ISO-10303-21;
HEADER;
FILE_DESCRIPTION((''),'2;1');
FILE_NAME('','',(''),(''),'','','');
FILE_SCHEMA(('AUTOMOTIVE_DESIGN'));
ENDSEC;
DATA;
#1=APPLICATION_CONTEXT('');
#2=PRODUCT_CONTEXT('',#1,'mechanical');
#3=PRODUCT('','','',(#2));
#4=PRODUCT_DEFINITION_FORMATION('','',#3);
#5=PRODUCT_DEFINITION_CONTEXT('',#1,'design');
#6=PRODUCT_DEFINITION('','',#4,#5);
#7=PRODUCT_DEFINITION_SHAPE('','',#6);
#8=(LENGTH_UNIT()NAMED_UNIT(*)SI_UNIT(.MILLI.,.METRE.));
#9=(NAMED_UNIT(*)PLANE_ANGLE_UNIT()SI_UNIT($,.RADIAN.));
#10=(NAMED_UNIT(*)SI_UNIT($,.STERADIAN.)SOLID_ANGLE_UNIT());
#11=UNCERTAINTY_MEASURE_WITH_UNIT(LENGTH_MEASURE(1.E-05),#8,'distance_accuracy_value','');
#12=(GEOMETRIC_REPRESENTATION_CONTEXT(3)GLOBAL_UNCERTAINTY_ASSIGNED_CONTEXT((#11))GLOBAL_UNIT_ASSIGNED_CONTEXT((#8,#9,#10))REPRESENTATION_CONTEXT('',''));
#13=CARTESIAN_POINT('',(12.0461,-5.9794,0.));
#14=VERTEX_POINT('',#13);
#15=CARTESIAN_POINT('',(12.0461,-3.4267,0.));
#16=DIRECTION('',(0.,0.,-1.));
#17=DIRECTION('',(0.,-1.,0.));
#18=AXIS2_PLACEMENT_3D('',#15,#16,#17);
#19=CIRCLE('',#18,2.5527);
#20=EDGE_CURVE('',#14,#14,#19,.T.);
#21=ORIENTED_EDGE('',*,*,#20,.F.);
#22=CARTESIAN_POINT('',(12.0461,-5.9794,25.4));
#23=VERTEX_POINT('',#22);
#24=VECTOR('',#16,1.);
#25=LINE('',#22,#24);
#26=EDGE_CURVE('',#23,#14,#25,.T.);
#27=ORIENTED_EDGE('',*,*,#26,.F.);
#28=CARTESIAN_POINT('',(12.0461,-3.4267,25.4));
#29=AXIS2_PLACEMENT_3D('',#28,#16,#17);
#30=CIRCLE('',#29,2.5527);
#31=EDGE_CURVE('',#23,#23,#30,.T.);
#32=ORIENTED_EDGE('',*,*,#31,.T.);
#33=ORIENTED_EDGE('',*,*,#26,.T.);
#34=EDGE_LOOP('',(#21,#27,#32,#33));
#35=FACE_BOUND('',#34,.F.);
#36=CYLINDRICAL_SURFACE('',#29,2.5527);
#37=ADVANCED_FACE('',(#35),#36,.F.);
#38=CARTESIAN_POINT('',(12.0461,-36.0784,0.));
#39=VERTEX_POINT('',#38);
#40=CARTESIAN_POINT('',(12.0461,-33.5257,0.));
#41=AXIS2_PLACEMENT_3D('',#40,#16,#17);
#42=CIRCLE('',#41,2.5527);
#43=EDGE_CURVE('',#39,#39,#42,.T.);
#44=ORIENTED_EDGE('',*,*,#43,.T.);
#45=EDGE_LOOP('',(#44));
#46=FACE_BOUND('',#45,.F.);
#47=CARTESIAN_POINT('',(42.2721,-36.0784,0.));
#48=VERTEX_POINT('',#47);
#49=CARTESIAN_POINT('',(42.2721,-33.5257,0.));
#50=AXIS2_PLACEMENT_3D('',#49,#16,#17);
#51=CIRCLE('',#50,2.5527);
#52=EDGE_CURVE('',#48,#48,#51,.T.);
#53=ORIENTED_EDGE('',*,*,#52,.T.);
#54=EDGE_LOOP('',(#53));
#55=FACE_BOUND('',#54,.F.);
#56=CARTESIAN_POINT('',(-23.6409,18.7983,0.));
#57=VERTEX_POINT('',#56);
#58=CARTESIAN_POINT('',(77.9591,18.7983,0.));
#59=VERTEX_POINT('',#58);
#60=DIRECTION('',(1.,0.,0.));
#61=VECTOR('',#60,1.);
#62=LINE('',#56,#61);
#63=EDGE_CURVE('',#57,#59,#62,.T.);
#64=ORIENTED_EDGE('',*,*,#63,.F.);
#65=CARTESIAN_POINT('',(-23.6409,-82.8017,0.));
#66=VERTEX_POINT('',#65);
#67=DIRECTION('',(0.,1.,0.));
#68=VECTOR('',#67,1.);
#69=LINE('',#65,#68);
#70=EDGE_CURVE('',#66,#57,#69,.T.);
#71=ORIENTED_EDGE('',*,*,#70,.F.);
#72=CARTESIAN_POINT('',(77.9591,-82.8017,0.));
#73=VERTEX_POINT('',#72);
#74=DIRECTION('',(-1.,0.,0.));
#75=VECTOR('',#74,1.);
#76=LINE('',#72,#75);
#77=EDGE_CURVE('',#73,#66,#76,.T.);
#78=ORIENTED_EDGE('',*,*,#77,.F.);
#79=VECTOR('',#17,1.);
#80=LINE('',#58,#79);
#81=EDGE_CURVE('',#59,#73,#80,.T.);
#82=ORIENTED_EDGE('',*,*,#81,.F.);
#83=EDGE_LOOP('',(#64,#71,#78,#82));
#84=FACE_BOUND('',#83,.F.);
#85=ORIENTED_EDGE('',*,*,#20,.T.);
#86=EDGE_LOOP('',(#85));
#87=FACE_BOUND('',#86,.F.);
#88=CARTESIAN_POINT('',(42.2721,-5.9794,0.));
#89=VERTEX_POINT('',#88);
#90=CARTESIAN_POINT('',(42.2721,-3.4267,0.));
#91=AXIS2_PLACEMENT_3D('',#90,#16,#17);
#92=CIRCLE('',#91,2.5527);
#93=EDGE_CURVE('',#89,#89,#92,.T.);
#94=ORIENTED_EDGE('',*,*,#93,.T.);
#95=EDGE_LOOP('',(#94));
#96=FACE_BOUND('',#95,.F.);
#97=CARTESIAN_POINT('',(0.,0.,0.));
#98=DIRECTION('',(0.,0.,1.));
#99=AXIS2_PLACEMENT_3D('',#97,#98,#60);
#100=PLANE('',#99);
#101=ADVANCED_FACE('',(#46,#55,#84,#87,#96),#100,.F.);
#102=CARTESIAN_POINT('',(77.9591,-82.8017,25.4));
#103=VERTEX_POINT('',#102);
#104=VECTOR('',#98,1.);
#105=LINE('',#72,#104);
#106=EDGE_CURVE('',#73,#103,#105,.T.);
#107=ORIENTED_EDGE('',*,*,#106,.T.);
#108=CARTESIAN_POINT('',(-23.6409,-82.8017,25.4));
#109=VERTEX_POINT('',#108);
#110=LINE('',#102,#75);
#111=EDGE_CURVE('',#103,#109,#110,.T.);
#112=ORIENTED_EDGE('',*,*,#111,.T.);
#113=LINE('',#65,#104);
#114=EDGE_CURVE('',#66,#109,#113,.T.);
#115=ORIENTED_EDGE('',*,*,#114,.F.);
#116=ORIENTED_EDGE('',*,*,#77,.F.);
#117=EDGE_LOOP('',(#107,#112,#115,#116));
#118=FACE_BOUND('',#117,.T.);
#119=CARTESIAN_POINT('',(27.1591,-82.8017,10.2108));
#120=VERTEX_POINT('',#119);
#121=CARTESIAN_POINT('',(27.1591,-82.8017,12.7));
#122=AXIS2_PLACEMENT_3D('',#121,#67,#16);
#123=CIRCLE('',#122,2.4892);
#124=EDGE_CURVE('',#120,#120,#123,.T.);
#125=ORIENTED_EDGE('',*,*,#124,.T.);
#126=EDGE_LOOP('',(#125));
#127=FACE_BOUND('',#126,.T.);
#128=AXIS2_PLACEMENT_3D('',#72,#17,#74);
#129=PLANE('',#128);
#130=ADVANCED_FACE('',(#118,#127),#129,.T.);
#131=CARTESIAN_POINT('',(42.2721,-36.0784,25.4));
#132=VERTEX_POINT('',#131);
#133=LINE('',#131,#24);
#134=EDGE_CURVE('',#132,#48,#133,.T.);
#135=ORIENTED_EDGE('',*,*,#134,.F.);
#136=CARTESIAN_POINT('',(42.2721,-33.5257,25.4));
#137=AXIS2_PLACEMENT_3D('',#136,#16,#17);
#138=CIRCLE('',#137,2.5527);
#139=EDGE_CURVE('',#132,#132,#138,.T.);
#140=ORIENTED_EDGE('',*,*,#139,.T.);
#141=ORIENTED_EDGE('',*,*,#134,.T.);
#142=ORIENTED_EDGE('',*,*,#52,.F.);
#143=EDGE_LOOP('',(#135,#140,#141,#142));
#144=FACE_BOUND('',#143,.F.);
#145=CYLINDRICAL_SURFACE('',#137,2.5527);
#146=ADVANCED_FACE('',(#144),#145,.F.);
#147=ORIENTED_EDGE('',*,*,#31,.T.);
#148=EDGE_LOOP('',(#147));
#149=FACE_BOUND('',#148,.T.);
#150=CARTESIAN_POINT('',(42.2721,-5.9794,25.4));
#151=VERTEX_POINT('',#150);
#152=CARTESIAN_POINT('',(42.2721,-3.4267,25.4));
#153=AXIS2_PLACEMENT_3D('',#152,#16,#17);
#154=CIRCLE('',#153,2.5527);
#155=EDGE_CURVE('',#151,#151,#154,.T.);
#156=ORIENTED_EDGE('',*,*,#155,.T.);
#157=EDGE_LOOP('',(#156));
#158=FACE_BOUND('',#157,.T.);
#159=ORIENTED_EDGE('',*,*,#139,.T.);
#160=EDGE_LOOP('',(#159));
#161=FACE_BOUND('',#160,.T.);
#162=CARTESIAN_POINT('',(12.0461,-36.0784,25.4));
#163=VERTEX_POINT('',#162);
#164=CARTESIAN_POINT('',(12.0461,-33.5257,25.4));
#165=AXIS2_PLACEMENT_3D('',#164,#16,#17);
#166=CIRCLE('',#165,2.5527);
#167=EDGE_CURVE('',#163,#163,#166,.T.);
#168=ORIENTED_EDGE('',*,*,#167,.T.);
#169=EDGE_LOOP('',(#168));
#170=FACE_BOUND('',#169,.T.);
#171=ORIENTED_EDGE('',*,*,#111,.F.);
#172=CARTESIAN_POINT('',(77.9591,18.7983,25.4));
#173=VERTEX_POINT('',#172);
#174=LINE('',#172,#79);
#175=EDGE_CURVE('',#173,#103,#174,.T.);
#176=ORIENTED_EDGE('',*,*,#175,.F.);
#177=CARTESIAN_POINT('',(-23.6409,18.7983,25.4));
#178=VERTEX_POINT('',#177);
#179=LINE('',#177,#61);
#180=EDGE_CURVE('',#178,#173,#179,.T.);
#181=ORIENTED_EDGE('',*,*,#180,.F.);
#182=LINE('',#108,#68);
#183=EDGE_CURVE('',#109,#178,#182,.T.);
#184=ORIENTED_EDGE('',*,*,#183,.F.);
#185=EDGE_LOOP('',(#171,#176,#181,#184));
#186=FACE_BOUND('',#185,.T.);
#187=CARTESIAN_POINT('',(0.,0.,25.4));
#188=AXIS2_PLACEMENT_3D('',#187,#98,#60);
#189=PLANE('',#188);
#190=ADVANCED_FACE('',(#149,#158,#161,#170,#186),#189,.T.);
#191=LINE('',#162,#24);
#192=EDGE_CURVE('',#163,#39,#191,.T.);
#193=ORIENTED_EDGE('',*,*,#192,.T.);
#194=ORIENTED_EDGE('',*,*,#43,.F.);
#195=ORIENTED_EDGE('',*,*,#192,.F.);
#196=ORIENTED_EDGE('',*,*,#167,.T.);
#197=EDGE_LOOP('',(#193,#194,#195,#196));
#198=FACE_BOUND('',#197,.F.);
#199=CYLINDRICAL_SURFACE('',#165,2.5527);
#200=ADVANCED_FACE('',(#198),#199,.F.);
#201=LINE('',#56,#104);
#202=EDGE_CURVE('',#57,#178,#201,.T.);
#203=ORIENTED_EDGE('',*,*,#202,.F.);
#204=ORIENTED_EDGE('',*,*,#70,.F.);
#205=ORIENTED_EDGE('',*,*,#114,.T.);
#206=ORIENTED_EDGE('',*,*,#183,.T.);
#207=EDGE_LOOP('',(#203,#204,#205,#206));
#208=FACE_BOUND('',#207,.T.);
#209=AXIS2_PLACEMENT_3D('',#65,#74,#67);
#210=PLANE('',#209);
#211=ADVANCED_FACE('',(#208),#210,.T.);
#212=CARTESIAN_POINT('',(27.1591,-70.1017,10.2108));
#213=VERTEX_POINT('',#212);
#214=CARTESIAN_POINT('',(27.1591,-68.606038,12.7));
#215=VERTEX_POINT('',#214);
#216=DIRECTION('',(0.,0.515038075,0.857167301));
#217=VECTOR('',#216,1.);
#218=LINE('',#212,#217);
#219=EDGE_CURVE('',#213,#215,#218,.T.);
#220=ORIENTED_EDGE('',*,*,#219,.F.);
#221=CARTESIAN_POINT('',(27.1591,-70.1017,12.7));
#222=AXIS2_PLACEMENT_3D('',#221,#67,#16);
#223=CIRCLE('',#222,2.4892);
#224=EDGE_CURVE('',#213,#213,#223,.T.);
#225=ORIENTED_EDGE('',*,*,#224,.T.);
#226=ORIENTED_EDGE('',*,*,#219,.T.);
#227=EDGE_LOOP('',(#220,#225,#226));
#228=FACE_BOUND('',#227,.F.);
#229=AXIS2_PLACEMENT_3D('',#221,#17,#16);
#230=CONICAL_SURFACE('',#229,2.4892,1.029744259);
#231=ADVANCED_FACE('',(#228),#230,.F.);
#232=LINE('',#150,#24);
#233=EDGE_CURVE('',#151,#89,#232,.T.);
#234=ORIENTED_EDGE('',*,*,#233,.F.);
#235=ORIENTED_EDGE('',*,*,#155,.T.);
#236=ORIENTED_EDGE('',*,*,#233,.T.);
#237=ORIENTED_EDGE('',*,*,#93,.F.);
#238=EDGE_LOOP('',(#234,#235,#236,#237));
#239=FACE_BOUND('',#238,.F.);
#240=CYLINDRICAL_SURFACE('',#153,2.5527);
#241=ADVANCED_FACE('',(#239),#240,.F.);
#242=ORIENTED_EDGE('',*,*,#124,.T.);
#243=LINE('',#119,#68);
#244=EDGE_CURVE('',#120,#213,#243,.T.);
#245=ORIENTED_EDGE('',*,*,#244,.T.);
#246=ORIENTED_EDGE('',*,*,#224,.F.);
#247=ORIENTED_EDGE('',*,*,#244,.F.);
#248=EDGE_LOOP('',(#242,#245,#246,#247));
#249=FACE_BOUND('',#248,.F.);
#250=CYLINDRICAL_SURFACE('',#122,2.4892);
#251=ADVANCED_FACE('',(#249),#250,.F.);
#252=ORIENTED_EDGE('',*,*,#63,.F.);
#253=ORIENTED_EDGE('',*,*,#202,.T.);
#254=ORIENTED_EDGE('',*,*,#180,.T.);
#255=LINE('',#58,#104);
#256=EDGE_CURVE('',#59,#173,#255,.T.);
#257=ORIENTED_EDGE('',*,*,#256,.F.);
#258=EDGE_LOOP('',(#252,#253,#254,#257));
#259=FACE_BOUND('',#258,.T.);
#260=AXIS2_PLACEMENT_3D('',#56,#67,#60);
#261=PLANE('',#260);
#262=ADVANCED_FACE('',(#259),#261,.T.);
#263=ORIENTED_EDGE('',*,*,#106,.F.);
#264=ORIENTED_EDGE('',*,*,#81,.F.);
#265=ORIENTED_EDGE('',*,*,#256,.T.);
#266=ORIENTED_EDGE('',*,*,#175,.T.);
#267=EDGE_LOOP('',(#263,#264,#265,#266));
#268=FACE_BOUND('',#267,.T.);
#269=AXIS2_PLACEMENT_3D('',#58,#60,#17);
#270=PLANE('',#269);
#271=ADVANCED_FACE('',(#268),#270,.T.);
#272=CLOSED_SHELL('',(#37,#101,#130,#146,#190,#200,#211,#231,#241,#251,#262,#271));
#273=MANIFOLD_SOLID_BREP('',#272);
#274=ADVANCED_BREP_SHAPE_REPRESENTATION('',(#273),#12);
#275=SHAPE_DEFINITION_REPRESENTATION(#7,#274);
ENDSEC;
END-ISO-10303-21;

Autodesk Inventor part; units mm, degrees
ref_plane "YZ Plane" through (0, 0, 0) normal (1, 0, 0) x (0, 1, 0)
ref_plane "XZ Plane" through (0, 0, 0) normal (0, 1, 0) x (-1, 0, 0)
ref_plane "XY Plane" through (0, 0, 0) normal (0, 0, 1) x (1, 0, 0)
sketch "Sketch1" plane through (0, 0, 0) normal (0, 0, 1) x (1, 0, 0)
  line L0 (-23.6409, 18.7983) -> (77.9591, 18.7983)
  line L1 (77.9591, 18.7983) -> (77.9591, -82.8017)
  line L2 (77.9591, -82.8017) -> (-23.6409, -82.8017)
  line L3 (-23.6409, -82.8017) -> (-23.6409, 18.7983)
  point P0 (0, 0)
  dimension "d0" = 101.6
  dimension "d1" = 101.6
extrude "Extrusion1" add sketch "Sketch1" along normal blind 25.4
sketch "Sketch2" plane through (0, 0, 25.4) normal (0, 0, 1) x (1, 0, 0)
  line L0 (-23.6409, 18.7983) -> (77.9591, 18.7983) projected
  line L1 (27.1591, 18.7983) -> (52.8131, 18.7983)
  line L2 (27.1591, 18.7983) -> (1.5051, 18.7983)
  line L3 (1.5051, 18.7983) -> (12.0461, 18.7983)
  line L4 (52.8131, 18.7983) -> (42.2721, 18.7983)
  line L5 (12.0461, 18.7983) -> (12.0461, -3.4267)
  line L6 (12.0461, 18.7983) -> (12.0461, -33.5257)
  line L7 (42.2721, 18.7983) -> (42.2721, -3.4267)
  line L8 (42.2721, -3.4267) -> (42.2721, -33.5257)
  point P0 (0, 0)
  dimension "d4" = 25.654
  dimension "d5" = 25.654
  dimension "d6" = 10.541
  dimension "d7" = 10.541
  dimension "d8" = 22.225
  dimension "d9" = 52.324
hole "Hole1" at (12.0461, -3.4267, 25.4) at (42.2721, -3.4267, 25.4) at (42.2721, -33.5257, 25.4) at (12.0461, -33.5257, 25.4) direction (0, 0, -1) diameter 5.1054 depth 25.4 tip angle 118 clearance for "Socket Head Cap Screw" size "#10" standard "Ansi Unified Screw Threads"
sketch "Sketch3" plane through (-23.6409, -82.8017, 0) normal (0, -1, 0) x (1, 0, 0)
  line L0 (101.6, 25.4) -> (0, 25.4) projected
  line L1 (101.6, 0) -> (0, 0) projected
  line L2 (50.8, 25.4) -> (50.8, 0)
  line L3 (50.8, 12.7) -> (56.2489, 12.7)
  point P0 (23.6409, 0)
hole "Hole2" at (27.1591, -82.8017, 12.7) direction (0, 1, 0) diameter 4.9784 depth 12.7 tip angle 118 thread size "1/4-20 UNC" class "2B" standard "ANSI Unified Screw Threads"
properties part number "mixer mount"
